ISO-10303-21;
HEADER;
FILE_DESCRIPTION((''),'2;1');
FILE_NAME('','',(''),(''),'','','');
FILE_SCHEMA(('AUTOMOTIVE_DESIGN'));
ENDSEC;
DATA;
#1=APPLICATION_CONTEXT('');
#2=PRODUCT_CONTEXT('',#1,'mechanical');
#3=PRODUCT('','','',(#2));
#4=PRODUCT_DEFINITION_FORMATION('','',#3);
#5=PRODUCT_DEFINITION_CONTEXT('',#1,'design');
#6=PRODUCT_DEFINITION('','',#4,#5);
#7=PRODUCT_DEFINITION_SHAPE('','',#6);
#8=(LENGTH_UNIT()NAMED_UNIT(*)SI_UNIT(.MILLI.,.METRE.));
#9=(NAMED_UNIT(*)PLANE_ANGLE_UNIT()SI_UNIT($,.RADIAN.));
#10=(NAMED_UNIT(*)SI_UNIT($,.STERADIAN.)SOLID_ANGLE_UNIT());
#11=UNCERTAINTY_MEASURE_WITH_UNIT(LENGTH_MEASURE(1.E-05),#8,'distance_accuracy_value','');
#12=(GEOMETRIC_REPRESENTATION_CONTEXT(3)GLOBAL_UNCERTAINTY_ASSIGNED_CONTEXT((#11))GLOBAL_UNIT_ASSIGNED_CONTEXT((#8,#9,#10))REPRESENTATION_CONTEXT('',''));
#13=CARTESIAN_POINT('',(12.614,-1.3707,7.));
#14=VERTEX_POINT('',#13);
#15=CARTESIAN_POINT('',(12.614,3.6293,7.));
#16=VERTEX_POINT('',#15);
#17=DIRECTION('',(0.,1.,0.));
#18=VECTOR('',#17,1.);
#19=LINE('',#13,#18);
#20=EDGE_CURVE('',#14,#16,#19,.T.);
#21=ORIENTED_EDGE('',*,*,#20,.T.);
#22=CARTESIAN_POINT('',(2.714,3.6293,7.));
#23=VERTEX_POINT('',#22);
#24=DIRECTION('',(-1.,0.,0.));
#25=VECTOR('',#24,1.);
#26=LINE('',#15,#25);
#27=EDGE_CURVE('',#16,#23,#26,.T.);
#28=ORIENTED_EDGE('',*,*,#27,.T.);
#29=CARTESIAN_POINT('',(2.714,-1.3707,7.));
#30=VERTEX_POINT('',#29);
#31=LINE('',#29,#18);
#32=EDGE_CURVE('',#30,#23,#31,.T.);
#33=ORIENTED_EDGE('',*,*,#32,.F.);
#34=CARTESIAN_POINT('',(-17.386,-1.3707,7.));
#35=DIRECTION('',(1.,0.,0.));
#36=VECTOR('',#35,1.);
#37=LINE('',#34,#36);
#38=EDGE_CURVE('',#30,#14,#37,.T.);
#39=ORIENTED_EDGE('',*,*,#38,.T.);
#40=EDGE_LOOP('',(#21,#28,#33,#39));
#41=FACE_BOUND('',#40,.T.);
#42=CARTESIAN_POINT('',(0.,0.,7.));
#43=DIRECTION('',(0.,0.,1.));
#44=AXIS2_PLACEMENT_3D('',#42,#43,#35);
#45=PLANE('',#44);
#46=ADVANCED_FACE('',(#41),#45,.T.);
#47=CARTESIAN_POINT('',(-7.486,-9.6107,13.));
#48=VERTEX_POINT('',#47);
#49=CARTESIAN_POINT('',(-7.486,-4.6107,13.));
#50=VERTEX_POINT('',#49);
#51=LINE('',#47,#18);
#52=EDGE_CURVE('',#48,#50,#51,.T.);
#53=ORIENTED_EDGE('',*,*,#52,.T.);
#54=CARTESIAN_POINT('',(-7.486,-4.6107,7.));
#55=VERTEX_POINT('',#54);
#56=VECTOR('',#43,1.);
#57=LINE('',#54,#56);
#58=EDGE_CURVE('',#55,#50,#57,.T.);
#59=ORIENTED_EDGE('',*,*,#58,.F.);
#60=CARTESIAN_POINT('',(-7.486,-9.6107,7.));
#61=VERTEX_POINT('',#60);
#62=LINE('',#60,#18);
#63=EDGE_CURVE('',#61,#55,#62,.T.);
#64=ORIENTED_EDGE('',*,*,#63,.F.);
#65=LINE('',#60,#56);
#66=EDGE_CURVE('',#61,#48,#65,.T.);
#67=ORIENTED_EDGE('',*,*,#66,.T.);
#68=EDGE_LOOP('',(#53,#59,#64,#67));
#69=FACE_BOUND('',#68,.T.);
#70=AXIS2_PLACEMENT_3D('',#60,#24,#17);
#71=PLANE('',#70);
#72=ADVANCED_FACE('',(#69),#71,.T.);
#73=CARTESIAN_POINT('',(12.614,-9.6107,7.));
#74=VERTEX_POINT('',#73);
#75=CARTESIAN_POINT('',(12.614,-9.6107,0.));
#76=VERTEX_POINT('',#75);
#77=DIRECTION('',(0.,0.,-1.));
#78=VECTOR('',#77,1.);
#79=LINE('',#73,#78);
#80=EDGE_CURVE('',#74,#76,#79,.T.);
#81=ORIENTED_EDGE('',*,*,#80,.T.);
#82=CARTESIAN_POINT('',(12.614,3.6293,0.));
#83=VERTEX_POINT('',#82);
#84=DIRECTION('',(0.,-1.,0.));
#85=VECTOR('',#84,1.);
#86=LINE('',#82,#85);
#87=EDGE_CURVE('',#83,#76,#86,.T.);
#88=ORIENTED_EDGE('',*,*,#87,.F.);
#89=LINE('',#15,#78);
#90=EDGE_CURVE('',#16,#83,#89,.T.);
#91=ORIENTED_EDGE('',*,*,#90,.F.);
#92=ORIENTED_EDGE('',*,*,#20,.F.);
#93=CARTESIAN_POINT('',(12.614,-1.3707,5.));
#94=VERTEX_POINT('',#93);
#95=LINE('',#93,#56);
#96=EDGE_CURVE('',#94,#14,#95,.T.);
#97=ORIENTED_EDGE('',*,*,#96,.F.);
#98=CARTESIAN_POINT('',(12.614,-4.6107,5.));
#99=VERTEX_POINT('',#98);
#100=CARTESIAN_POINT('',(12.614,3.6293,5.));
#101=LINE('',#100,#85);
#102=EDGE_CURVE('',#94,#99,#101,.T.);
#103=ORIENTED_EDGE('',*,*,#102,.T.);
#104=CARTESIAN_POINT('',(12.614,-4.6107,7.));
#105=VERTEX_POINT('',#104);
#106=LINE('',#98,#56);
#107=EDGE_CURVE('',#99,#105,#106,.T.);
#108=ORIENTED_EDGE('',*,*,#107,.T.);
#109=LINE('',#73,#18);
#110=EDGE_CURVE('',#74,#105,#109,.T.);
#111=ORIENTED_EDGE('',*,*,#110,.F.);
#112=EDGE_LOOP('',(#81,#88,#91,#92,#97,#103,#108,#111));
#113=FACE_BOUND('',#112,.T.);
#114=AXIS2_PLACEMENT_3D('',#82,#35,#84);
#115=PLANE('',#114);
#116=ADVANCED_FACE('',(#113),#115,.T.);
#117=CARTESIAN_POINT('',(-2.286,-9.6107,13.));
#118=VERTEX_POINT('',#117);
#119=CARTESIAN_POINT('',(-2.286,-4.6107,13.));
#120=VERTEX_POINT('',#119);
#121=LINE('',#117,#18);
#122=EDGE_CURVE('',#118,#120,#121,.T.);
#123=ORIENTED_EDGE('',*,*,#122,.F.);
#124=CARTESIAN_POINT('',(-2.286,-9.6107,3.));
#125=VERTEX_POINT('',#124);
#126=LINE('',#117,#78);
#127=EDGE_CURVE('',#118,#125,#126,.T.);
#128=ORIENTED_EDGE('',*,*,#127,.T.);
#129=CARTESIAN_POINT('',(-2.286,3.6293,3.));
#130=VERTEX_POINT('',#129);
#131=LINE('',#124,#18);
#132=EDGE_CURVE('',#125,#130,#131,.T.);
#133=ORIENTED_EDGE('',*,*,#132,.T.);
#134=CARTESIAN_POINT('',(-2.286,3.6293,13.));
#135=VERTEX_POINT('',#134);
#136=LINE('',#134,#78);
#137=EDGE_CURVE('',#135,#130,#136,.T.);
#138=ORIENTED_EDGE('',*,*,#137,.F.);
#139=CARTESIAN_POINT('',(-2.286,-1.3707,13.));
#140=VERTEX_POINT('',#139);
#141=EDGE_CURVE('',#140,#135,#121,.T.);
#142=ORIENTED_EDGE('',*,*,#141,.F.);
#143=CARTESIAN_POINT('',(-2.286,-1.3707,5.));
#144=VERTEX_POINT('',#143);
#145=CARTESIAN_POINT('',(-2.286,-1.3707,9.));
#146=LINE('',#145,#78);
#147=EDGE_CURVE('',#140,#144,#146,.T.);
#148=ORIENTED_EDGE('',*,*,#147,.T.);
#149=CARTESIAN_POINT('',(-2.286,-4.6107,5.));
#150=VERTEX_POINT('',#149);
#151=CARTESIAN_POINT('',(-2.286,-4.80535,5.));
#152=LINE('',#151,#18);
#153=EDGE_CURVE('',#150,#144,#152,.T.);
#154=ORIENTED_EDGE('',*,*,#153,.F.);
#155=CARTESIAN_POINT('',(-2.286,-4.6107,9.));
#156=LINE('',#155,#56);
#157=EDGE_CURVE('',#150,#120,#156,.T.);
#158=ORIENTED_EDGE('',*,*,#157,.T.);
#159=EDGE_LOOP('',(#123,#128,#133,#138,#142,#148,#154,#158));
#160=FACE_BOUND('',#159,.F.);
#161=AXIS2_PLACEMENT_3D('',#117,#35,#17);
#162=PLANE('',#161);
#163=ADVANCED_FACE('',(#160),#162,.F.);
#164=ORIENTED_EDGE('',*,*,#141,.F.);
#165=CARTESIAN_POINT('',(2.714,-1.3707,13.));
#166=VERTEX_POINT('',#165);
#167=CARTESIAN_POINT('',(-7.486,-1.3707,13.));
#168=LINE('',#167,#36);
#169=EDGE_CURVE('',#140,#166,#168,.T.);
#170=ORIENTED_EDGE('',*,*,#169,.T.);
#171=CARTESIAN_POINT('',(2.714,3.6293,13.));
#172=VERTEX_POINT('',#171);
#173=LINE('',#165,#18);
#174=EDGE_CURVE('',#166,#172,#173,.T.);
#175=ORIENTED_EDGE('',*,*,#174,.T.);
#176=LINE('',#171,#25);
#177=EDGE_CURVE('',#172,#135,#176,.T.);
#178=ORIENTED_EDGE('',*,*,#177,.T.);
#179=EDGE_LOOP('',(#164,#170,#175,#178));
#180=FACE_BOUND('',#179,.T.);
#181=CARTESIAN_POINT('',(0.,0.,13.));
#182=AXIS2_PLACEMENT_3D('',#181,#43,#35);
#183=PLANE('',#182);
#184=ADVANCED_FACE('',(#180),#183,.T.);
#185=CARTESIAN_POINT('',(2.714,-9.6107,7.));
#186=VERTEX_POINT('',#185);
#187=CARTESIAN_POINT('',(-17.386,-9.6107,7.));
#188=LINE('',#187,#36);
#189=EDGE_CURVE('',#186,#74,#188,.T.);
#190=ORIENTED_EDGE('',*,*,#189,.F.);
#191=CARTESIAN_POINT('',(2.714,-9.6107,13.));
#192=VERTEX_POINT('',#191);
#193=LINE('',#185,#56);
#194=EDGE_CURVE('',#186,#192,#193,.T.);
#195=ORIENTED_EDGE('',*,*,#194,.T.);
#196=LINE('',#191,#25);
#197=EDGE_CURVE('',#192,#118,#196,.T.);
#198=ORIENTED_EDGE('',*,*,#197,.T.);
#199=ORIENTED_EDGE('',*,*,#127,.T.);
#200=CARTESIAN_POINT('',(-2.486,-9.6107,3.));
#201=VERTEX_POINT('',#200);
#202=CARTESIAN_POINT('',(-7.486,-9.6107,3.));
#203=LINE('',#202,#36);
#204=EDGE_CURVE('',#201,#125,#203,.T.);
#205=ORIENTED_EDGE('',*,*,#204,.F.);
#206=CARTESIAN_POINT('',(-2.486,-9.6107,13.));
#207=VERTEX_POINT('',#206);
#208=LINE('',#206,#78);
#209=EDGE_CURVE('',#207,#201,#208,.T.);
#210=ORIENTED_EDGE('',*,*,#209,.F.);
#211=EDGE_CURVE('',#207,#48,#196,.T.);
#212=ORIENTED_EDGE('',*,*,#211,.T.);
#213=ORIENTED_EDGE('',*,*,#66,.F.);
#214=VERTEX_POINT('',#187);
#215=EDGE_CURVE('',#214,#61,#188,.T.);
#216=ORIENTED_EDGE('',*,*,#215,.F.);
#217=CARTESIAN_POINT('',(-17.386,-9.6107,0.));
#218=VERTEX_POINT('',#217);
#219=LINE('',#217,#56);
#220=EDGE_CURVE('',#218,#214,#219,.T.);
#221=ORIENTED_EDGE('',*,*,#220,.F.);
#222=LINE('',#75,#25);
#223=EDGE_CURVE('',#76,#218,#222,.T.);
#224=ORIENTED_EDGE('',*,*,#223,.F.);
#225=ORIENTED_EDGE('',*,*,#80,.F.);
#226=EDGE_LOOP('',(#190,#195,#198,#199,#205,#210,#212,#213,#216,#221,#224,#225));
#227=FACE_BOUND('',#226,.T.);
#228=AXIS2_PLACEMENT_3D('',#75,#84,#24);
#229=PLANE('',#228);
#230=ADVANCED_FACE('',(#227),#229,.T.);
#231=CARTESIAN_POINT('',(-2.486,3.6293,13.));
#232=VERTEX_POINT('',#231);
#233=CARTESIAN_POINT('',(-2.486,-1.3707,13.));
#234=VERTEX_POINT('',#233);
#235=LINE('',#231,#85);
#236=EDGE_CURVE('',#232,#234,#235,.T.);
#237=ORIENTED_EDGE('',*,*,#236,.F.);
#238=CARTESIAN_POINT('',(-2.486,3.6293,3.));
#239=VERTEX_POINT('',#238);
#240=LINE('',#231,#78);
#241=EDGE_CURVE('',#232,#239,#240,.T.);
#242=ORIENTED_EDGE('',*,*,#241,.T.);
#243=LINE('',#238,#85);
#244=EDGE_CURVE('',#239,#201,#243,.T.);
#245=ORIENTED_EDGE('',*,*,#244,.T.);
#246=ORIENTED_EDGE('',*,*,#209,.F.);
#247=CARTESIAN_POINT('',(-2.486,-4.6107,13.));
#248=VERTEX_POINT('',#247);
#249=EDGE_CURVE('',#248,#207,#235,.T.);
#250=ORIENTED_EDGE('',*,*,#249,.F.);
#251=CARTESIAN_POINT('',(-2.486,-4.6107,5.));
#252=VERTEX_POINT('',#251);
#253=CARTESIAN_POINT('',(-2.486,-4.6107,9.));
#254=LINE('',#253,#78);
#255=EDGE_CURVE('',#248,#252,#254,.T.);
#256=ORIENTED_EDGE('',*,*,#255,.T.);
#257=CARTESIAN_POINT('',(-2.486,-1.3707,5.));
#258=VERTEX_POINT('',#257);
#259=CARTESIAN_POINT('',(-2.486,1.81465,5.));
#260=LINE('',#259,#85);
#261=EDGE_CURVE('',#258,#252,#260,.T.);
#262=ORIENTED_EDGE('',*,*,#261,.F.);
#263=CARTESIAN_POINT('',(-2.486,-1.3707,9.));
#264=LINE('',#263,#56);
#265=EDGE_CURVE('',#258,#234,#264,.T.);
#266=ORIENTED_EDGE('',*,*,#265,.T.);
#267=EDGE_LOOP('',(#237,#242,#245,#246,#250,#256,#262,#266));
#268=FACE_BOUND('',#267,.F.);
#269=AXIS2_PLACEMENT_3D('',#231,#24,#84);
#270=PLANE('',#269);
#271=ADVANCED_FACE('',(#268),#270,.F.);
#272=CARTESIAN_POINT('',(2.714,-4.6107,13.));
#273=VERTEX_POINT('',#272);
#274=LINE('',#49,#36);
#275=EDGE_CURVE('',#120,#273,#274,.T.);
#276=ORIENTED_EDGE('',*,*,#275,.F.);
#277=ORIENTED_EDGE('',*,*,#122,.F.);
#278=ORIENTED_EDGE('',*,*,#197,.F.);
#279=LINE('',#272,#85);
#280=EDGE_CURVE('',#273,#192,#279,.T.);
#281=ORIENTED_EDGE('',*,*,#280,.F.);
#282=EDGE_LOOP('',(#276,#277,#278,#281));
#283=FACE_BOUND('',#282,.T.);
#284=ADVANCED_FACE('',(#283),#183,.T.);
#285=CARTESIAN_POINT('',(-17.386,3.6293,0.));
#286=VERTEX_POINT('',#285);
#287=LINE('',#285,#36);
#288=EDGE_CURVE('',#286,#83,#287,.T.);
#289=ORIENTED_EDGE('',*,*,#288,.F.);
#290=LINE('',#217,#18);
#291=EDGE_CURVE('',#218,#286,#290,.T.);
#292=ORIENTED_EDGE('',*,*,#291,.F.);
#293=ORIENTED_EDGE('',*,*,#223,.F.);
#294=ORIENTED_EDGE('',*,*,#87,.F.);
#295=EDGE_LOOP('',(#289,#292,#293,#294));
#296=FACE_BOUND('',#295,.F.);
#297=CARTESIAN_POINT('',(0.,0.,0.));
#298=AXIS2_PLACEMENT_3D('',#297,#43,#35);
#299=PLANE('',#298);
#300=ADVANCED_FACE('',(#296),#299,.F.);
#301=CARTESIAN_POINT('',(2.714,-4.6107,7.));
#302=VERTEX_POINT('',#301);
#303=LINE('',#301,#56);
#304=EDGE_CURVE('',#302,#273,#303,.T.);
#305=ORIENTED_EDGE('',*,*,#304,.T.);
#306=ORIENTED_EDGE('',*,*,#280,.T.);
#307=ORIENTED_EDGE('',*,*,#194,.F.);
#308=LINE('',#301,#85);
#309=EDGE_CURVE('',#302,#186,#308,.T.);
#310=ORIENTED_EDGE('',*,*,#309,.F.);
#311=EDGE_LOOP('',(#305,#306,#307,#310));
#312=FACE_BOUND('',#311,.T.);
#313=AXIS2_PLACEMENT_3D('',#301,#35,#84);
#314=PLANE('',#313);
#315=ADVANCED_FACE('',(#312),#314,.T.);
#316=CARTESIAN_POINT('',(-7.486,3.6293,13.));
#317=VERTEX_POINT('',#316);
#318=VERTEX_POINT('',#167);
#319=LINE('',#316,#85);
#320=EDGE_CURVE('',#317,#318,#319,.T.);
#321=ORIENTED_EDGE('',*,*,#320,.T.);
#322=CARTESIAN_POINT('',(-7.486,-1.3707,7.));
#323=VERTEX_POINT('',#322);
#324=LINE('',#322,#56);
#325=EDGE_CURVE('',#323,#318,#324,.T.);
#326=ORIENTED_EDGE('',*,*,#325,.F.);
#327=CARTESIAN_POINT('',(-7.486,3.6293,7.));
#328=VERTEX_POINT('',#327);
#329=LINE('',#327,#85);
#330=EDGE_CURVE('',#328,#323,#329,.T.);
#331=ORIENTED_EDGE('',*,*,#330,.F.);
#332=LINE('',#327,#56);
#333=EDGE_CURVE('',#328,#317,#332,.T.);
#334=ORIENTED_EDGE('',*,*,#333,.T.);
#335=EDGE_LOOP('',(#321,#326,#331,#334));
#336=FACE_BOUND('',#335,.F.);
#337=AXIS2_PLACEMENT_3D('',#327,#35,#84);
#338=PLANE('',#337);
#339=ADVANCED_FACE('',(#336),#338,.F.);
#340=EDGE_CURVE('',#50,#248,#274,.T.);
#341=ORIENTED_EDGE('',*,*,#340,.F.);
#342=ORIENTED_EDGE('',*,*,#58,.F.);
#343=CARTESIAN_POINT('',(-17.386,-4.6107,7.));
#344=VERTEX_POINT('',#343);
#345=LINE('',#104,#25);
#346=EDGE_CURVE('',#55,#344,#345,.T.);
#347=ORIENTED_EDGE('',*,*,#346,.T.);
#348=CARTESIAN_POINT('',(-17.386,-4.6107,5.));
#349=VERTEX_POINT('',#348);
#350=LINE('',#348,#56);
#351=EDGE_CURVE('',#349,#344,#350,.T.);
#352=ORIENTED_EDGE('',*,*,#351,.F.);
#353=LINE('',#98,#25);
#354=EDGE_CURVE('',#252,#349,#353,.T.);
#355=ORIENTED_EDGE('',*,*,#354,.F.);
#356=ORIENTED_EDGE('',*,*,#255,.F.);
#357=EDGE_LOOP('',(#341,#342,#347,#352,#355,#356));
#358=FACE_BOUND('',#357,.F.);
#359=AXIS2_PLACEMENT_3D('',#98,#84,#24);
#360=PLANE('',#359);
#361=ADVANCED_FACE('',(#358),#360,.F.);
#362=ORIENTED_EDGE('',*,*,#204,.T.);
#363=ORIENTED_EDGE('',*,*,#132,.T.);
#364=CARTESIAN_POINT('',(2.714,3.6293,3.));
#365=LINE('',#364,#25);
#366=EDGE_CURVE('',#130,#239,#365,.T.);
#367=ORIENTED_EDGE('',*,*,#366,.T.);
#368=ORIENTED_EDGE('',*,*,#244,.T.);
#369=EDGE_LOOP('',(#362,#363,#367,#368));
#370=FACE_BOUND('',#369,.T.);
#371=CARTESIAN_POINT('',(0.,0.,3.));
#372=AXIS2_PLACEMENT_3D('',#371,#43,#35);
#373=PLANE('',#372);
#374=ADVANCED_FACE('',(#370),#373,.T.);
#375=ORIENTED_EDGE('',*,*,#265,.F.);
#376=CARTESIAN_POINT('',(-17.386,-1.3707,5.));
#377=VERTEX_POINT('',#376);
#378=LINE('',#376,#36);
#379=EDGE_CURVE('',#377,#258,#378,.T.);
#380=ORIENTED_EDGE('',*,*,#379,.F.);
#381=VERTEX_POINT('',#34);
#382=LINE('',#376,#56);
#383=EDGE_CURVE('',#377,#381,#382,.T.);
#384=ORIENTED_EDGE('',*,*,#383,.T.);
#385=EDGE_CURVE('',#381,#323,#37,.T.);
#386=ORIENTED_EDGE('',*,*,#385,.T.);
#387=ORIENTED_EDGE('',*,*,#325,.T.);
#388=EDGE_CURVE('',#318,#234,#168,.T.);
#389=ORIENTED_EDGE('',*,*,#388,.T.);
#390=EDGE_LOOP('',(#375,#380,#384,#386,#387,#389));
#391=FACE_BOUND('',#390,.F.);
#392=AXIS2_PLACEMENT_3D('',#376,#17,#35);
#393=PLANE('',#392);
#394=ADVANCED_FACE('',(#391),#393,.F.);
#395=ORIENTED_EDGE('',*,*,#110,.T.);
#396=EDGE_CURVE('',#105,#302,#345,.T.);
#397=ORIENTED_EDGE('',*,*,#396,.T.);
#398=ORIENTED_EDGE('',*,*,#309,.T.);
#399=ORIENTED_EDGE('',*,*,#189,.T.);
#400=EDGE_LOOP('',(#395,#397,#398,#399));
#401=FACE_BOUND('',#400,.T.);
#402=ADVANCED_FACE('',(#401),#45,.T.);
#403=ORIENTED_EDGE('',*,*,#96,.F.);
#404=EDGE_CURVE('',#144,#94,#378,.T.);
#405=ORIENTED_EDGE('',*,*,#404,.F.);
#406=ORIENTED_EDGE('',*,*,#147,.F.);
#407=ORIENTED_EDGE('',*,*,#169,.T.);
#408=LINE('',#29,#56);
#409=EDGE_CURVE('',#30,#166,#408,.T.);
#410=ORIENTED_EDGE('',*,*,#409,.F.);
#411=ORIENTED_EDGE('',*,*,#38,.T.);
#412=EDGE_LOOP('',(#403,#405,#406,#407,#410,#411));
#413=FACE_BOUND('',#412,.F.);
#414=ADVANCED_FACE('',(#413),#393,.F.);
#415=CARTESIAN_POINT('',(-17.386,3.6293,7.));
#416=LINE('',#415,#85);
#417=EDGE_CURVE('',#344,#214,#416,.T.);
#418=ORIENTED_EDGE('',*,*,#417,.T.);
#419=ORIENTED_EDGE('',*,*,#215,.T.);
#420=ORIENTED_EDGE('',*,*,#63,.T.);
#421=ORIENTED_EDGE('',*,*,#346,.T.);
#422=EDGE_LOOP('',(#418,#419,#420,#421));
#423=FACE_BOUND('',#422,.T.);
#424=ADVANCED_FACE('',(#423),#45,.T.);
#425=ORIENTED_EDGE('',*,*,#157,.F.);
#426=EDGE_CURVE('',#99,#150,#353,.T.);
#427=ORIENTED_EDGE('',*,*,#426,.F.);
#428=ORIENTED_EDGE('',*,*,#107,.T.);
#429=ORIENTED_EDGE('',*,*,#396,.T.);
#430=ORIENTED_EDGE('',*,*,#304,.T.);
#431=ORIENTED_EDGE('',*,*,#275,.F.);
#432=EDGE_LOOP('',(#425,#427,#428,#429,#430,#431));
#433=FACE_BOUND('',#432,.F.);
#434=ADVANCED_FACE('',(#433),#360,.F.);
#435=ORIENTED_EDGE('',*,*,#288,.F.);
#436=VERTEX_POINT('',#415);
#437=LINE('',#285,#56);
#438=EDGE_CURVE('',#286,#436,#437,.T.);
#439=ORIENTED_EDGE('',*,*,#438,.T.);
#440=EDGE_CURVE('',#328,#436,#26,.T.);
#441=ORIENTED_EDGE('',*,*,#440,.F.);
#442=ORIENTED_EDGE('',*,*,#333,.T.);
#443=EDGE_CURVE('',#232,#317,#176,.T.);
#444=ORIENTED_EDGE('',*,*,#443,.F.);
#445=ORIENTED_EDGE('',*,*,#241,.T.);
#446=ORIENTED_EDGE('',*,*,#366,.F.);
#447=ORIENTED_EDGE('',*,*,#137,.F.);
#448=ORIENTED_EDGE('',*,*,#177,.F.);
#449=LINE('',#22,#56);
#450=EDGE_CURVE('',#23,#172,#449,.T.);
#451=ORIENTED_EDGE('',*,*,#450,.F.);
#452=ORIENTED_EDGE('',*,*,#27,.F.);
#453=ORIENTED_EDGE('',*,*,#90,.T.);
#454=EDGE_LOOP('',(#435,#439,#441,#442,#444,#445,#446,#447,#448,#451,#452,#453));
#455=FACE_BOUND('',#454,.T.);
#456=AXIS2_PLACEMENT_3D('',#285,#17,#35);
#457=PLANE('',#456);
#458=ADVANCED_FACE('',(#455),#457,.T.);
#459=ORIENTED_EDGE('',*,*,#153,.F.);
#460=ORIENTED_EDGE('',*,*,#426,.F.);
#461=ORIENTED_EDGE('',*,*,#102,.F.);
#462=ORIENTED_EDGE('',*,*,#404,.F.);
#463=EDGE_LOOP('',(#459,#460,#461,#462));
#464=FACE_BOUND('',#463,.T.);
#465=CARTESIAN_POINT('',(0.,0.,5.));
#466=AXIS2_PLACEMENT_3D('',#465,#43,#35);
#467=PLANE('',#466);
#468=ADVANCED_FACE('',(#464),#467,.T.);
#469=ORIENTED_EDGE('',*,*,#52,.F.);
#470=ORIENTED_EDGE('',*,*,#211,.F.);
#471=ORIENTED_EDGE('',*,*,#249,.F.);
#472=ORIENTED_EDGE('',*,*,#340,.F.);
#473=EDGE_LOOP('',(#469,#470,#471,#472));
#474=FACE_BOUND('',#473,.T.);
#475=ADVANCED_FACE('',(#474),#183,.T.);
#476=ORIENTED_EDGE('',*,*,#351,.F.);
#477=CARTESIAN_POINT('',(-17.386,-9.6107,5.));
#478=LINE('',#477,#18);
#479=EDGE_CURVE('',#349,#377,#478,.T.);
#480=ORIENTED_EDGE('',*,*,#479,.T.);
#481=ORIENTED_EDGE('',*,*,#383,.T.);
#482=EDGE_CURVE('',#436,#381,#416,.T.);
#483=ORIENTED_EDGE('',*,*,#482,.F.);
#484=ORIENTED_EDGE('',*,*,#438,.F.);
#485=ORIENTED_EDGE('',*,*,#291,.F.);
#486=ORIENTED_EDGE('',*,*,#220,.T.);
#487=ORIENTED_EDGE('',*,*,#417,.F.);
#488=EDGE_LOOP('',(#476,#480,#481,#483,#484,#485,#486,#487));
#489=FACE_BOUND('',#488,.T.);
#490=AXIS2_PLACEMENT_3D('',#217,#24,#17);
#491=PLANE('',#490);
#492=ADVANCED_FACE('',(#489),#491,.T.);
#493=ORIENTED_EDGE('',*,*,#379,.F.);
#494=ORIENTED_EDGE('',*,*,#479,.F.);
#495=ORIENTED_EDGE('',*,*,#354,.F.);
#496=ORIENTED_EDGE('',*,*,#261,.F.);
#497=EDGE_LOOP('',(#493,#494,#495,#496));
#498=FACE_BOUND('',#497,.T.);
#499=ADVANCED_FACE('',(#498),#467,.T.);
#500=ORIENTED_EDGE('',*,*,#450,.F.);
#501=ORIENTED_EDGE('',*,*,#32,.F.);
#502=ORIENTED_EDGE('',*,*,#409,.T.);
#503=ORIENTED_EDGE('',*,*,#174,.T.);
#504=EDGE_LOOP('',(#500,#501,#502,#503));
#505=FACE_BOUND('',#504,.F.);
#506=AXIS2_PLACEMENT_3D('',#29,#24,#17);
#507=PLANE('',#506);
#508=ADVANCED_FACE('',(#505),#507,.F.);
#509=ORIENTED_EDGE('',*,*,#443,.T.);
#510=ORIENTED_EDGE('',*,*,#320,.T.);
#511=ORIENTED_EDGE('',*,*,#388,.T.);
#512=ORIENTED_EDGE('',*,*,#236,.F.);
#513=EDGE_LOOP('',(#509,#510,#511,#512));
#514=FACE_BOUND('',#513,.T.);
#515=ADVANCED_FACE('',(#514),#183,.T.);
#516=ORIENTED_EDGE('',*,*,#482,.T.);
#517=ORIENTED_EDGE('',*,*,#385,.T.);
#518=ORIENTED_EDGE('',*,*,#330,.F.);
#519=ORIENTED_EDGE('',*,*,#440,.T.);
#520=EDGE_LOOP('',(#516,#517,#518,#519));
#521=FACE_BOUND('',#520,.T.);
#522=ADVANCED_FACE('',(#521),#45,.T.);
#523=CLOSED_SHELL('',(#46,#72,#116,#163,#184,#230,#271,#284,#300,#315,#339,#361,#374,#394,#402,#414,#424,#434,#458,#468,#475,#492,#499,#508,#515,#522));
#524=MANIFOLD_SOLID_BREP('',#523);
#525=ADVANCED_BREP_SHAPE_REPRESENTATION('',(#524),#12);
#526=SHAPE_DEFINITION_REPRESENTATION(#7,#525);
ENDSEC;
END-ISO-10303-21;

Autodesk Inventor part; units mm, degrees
ref_plane "YZ Plane" through (0, 0, 0) normal (1, 0, 0) x (0, 1, 0)
ref_plane "XZ Plane" through (0, 0, 0) normal (0, 1, 0) x (-1, 0, 0)
ref_plane "XY Plane" through (0, 0, 0) normal (0, 0, 1) x (1, 0, 0)
sketch "Sketch1" plane through (0, 0, 0) normal (0, 0, 1) x (1, 0, 0)
  line L0 (-17.386, 3.6293) -> (12.614, 3.6293)
  line L1 (12.614, 3.6293) -> (12.614, -9.6107)
  line L2 (12.614, -9.6107) -> (-17.386, -9.6107)
  line L3 (-17.386, -9.6107) -> (-17.386, 3.6293)
  point P0 (0, 0)
  dimension "d0" = 30
  dimension "d1" = 13.24
extrude "Extrusion1" add sketch "Sketch1" along normal blind 5
sketch "Sketch2" plane through (0, 0, 5) normal (0, 0, 1) x (1, 0, 0)
  line L0 (12.614, 3.6293) -> (-17.386, 3.6293) projected
  line L1 (-17.386, 3.6293) -> (-17.386, -9.6107) projected
  line L2 (12.614, 3.6293) -> (-17.386, 3.6293)
  line L3 (-17.386, 3.6293) -> (-17.386, -1.3707)
  line L4 (-17.386, -1.3707) -> (12.614, -1.3707)
  line L5 (12.614, -1.3707) -> (12.614, 3.6293)
  line L6 (12.614, -9.6107) -> (12.614, 3.6293) projected
  line L7 (-17.386, -9.6107) -> (12.614, -9.6107)
  line L8 (12.614, -9.6107) -> (12.614, -4.6107)
  line L9 (12.614, -4.6107) -> (-17.386, -4.6107)
  line L10 (-17.386, -4.6107) -> (-17.386, -9.6107)
  point P0 (0, 0)
  dimension "d4" = 5
  dimension "d5" = 5
extrude "Extrusion2" add sketch "Sketch2" along normal blind 2 contours L5 L4 L1 L0 | L6 L7 L1 L9
sketch "Sketch3" plane through (0, 0, 7) normal (0, 0, 1) x (1, 0, 0)
  line L0 (-2.386, 3.6293) -> (-2.386, -9.6107) construction
  line L1 (2.714, 3.6293) -> (-7.486, 3.6293)
  line L2 (-7.486, 3.6293) -> (-7.486, -1.3707)
  line L3 (-7.486, -1.3707) -> (2.714, -1.3707)
  line L4 (2.714, -1.3707) -> (2.714, 3.6293)
  line L5 (12.614, -2.9907) -> (-17.386, -2.9907) construction
  line L6 (2.714, -9.6107) -> (-7.486, -9.6107)
  line L7 (-7.486, -9.6107) -> (-7.486, -4.6107)
  line L8 (-7.486, -4.6107) -> (2.714, -4.6107)
  line L9 (2.714, -4.6107) -> (2.714, -9.6107)
  point P0 (0, 0)
  point P1 (12.614, -9.6107)
  point P2 (-17.386, -9.6107)
  dimension "d8" = 10.2
extrude "Extrusion3" add sketch "Sketch3" along normal blind 6
sketch "Sketch4" plane through (0, 0, 13) normal (0, 0, 1) x (1, 0, 0)
  line L0 (2.714, 3.6293) -> (-7.486, 3.6293) projected
  line L1 (-2.386, 3.6293) -> (-2.386, -9.6107) construction
  line L2 (-7.486, -9.6107) -> (2.714, -9.6107) projected
  line L3 (-2.286, 3.6293) -> (-2.486, 3.6293)
  line L4 (-2.486, 3.6293) -> (-2.486, -9.6107)
  line L5 (-2.486, -9.6107) -> (-2.286, -9.6107)
  line L6 (-2.286, -9.6107) -> (-2.286, 3.6293)
  point P0 (0, 0)
  dimension "d11" = 0.2
extrude "Extrusion4" cut sketch "Sketch4" against normal blind 10
properties part number "BalsaBoi"
